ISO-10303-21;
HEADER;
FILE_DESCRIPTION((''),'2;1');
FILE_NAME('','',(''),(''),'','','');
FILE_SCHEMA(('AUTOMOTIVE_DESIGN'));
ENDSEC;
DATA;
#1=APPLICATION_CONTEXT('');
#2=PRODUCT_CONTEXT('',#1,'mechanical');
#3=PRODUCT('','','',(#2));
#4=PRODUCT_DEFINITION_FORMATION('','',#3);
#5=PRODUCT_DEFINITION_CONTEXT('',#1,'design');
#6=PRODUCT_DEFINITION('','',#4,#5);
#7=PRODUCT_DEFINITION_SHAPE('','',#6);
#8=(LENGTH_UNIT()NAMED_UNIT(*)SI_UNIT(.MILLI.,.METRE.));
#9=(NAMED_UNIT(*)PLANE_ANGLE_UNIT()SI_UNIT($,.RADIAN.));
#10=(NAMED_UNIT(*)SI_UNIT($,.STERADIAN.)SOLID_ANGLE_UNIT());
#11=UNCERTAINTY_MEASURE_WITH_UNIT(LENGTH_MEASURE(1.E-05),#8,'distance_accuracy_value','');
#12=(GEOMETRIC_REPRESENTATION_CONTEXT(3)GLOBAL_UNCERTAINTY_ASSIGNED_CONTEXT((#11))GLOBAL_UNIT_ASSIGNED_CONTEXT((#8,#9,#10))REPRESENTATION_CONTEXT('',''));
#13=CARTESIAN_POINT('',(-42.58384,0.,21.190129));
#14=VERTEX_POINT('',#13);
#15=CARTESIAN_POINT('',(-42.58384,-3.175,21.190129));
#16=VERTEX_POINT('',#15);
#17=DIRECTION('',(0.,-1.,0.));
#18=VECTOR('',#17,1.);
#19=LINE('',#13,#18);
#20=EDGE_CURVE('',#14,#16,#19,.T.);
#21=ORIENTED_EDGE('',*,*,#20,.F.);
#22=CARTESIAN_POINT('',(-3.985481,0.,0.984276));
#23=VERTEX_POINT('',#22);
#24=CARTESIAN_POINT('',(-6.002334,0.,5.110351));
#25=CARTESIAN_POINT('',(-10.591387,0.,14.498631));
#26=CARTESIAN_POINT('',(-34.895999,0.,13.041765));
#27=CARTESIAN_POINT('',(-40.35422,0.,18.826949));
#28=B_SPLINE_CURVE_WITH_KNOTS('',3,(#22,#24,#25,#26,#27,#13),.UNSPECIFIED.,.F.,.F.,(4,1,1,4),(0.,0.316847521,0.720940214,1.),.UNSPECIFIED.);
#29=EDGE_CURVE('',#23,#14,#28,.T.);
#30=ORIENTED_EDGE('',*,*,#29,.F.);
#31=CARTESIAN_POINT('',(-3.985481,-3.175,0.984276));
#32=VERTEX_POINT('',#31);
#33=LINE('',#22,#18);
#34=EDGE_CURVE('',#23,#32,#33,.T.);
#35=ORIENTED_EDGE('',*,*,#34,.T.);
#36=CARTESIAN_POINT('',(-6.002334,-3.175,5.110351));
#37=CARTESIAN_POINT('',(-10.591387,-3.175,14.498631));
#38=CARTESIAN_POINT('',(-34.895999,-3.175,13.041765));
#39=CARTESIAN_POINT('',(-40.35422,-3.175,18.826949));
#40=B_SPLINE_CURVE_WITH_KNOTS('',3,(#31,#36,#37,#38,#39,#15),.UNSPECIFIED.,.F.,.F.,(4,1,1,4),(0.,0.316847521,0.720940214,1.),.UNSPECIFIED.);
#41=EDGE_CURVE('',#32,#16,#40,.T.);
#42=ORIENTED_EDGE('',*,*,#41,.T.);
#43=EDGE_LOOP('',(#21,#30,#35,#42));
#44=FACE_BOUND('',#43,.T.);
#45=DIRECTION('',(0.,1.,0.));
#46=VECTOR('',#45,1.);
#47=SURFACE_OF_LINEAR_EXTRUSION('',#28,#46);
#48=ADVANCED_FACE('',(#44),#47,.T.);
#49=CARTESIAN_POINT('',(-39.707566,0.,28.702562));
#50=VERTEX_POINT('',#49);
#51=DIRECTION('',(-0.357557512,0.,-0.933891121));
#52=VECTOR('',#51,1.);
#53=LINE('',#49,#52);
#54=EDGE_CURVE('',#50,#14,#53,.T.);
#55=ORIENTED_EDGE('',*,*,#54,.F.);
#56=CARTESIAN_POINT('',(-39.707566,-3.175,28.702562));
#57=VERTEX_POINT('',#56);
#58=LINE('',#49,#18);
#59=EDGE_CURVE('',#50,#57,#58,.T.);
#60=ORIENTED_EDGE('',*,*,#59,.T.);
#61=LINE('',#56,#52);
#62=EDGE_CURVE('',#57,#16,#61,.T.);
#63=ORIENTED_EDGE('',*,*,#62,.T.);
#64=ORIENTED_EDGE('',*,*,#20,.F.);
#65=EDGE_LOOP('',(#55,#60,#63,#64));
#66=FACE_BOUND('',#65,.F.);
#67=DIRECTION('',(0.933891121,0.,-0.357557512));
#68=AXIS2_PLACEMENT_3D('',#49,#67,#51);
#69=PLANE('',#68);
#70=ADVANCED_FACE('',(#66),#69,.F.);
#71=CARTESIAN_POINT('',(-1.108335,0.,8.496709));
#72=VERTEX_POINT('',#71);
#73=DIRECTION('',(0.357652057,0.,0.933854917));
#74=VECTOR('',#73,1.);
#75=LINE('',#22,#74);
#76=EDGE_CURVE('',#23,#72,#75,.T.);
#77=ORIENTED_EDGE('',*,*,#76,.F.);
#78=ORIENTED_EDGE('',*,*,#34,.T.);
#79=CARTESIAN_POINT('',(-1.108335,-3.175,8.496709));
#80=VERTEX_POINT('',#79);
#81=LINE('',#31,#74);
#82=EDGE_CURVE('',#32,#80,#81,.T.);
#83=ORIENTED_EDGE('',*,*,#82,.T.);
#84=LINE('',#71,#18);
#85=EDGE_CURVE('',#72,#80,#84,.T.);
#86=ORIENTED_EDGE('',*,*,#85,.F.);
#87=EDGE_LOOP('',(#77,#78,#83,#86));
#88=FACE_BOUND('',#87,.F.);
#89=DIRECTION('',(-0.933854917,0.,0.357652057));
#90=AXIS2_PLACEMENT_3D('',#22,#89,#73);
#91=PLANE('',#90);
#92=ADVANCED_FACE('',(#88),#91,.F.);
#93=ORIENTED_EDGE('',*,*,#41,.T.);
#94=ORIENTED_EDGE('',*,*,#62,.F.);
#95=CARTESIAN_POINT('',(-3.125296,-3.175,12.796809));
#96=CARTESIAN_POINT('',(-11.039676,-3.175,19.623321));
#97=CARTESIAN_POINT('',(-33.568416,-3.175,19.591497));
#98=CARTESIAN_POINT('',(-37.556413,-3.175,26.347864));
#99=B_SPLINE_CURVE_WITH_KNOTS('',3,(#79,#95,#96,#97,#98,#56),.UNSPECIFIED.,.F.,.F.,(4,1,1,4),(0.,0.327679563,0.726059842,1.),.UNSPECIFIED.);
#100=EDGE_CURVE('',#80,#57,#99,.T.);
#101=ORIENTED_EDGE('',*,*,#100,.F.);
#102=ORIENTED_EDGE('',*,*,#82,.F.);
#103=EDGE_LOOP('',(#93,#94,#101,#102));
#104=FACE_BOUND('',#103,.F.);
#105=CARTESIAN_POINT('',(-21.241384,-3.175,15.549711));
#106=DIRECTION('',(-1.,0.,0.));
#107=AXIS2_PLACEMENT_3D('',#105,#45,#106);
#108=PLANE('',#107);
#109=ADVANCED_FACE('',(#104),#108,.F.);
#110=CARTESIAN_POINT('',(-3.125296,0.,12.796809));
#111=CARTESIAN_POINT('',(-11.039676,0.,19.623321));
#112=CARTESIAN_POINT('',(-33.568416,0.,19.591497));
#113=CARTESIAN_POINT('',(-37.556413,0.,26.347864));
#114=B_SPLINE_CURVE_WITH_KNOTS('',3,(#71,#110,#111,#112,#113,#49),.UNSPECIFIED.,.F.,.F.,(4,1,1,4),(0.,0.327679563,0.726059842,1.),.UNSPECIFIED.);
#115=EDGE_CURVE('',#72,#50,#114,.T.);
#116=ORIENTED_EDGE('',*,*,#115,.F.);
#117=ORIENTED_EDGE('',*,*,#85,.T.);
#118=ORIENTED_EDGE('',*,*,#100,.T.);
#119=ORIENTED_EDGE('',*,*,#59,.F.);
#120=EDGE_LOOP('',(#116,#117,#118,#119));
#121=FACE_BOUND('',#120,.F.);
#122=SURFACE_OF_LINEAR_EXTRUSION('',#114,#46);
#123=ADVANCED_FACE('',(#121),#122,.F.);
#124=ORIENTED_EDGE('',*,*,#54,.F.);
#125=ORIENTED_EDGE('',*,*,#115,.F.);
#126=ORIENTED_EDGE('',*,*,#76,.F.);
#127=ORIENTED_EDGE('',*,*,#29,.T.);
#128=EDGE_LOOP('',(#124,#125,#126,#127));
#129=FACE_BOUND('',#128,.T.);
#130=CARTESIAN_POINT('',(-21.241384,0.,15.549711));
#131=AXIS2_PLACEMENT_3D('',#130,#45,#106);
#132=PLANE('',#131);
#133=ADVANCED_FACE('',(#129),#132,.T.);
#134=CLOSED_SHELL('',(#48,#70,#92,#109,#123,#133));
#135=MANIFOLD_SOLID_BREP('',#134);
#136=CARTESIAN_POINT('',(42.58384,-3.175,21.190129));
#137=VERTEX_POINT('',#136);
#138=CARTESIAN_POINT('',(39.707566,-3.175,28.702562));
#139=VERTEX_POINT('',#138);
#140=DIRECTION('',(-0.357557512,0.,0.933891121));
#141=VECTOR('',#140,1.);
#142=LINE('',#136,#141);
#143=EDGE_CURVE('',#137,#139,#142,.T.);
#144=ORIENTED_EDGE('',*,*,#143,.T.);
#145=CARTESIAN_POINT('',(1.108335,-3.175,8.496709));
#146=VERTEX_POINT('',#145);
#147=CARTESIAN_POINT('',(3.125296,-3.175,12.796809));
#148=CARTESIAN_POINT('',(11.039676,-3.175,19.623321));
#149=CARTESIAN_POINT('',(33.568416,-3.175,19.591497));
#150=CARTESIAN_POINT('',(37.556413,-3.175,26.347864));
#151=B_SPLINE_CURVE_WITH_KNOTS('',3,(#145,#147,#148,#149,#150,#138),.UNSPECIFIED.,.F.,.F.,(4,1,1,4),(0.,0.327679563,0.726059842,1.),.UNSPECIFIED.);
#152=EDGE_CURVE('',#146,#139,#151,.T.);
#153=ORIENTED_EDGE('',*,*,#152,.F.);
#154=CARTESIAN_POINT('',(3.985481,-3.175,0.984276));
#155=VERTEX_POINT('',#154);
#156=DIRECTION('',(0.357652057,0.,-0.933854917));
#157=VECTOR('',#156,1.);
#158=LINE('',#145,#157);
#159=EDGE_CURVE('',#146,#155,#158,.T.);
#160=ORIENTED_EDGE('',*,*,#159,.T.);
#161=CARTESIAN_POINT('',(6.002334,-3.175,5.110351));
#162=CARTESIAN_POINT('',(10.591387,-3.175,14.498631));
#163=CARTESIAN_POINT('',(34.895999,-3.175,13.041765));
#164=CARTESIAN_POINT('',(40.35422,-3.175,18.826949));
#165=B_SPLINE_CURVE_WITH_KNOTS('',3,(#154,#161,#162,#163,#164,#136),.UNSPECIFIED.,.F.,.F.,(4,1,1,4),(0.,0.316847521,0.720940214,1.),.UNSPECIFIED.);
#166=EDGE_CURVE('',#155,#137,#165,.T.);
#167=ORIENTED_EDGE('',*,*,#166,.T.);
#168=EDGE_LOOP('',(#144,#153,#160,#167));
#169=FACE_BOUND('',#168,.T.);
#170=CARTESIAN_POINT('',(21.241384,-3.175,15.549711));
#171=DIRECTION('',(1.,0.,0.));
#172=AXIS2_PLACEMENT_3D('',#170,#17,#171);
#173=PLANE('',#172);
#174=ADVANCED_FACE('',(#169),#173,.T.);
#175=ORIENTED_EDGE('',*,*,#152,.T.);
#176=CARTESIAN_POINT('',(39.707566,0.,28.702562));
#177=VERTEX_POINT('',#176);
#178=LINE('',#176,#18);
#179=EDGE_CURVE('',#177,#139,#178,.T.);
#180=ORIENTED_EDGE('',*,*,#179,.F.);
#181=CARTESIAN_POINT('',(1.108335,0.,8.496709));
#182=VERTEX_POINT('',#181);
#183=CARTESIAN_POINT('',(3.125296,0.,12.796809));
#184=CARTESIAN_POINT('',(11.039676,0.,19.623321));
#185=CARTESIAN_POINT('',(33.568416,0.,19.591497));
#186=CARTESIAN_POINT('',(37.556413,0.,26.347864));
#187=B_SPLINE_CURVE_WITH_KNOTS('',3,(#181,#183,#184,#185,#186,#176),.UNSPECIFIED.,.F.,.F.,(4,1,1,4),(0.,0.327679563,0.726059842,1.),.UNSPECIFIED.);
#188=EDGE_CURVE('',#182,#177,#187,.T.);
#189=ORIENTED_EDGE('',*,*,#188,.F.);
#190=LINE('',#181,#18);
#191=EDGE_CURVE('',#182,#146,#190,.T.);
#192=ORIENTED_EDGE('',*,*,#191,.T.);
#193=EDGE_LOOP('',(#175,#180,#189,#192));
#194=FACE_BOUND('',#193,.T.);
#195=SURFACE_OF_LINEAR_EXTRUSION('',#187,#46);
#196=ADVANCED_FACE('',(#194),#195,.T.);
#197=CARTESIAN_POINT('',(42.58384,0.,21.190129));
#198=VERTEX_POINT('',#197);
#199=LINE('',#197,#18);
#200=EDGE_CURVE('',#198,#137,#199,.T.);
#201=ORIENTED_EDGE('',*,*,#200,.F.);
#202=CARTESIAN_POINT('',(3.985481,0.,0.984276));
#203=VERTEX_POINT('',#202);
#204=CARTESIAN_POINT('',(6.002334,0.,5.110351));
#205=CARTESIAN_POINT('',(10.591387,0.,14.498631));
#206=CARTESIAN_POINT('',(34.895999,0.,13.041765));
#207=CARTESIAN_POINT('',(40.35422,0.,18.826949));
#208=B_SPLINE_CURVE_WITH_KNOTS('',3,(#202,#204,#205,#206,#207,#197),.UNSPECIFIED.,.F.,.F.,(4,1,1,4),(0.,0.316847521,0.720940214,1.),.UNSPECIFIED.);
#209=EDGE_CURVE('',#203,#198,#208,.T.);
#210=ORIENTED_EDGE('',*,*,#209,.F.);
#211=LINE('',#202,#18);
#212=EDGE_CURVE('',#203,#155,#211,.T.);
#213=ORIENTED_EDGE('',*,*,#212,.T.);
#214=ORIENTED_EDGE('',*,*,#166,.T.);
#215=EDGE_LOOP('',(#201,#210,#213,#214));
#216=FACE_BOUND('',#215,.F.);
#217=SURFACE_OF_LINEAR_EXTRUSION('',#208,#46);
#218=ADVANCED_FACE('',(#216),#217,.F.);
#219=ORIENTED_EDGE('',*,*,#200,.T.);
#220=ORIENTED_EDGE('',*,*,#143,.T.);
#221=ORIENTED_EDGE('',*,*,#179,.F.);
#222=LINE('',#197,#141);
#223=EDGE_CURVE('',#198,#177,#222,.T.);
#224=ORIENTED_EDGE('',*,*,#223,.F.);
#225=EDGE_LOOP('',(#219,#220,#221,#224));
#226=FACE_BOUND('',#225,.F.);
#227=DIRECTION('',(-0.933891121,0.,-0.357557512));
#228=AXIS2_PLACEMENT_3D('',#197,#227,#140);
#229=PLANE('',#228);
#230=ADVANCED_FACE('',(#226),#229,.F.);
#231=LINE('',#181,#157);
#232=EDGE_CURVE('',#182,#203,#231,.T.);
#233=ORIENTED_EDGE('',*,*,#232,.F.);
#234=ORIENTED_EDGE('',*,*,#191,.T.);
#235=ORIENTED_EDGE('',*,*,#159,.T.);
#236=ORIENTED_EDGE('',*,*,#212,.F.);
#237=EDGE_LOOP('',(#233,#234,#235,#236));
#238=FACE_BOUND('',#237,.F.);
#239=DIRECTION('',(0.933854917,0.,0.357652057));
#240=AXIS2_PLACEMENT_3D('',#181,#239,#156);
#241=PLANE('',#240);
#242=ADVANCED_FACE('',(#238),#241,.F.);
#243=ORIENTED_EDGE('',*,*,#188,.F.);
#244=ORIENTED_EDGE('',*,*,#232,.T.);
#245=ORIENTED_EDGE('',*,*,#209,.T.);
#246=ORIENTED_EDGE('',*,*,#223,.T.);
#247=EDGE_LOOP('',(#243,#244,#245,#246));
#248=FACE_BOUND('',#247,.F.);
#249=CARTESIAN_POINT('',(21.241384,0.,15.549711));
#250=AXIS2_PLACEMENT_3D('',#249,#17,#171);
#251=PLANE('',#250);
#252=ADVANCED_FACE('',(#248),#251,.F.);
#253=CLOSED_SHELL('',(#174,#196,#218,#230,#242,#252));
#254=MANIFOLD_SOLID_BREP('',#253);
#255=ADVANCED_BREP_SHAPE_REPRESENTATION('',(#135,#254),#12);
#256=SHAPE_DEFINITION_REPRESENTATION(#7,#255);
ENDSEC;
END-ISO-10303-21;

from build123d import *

# Parameters (mm, degrees)
F1_DEPTH = 3.175


with BuildPart() as f1:
    # F0 (on Front) → F1 (new body)
    with BuildSketch(Plane.XZ):
        with BuildLine():
            add(Edge.make_bspline(
                [(-3.9854812818, 0.9842760097), (-6.0023338376, 5.1103509472), (-10.5913869782, 14.498631264), (-34.8959990696, 13.0417649018), (-40.3542204214, 18.8269487454), (-42.583839913, 21.1901285853)],
                knots=[0, 0, 0, 0, 0.3168475214, 0.7209402141, 1, 1, 1, 1], degree=3))
            Line((-3.9854812818, 0.9842760097), (-1.1083352762, 8.4967085328))
            add(Edge.make_bspline(
                [(-1.1083352762, 8.4967085328), (-3.125295664, 12.7968090919), (-11.0396756379, 19.6233209833), (-33.5684157766, 19.5914970387), (-37.5564129226, 26.3478639972), (-39.7075656253, 28.7025620397)],
                knots=[0, 0, 0, 0, 0.3276795628, 0.7260598425, 1, 1, 1, 1], degree=3))
            Line((-39.7075656253, 28.7025620397), (-42.583839913, 21.1901285853))
        make_face()
    extrude(amount=F1_DEPTH)


with BuildPart() as f1b:
    # F0 (on Front) → F1, piece 2 (new body)
    with BuildSketch(Plane.XZ):
        with BuildLine():
            Line((1.1083352762, 8.4967085328), (3.9854812818, 0.9842760097))
            add(Edge.make_bspline(
                [(3.9854812818, 0.9842760097), (6.0023338376, 5.1103509472), (10.5913869782, 14.498631264), (34.8959990696, 13.0417649018), (40.3542204214, 18.8269487454), (42.583839913, 21.1901285853)],
                knots=[0, 0, 0, 0, 0.3168475214, 0.7209402141, 1, 1, 1, 1], degree=3))
            Line((42.583839913, 21.1901285853), (39.7075656253, 28.7025620397))
            add(Edge.make_bspline(
                [(1.1083352762, 8.4967085328), (3.125295664, 12.7968090919), (11.0396756379, 19.6233209833), (33.5684157766, 19.5914970387), (37.5564129226, 26.3478639972), (39.7075656253, 28.7025620397)],
                knots=[0, 0, 0, 0, 0.3276795628, 0.7260598425, 1, 1, 1, 1], degree=3))
        make_face()
    extrude(amount=F1_DEPTH)


solid = Compound([f1.part, f1b.part])
